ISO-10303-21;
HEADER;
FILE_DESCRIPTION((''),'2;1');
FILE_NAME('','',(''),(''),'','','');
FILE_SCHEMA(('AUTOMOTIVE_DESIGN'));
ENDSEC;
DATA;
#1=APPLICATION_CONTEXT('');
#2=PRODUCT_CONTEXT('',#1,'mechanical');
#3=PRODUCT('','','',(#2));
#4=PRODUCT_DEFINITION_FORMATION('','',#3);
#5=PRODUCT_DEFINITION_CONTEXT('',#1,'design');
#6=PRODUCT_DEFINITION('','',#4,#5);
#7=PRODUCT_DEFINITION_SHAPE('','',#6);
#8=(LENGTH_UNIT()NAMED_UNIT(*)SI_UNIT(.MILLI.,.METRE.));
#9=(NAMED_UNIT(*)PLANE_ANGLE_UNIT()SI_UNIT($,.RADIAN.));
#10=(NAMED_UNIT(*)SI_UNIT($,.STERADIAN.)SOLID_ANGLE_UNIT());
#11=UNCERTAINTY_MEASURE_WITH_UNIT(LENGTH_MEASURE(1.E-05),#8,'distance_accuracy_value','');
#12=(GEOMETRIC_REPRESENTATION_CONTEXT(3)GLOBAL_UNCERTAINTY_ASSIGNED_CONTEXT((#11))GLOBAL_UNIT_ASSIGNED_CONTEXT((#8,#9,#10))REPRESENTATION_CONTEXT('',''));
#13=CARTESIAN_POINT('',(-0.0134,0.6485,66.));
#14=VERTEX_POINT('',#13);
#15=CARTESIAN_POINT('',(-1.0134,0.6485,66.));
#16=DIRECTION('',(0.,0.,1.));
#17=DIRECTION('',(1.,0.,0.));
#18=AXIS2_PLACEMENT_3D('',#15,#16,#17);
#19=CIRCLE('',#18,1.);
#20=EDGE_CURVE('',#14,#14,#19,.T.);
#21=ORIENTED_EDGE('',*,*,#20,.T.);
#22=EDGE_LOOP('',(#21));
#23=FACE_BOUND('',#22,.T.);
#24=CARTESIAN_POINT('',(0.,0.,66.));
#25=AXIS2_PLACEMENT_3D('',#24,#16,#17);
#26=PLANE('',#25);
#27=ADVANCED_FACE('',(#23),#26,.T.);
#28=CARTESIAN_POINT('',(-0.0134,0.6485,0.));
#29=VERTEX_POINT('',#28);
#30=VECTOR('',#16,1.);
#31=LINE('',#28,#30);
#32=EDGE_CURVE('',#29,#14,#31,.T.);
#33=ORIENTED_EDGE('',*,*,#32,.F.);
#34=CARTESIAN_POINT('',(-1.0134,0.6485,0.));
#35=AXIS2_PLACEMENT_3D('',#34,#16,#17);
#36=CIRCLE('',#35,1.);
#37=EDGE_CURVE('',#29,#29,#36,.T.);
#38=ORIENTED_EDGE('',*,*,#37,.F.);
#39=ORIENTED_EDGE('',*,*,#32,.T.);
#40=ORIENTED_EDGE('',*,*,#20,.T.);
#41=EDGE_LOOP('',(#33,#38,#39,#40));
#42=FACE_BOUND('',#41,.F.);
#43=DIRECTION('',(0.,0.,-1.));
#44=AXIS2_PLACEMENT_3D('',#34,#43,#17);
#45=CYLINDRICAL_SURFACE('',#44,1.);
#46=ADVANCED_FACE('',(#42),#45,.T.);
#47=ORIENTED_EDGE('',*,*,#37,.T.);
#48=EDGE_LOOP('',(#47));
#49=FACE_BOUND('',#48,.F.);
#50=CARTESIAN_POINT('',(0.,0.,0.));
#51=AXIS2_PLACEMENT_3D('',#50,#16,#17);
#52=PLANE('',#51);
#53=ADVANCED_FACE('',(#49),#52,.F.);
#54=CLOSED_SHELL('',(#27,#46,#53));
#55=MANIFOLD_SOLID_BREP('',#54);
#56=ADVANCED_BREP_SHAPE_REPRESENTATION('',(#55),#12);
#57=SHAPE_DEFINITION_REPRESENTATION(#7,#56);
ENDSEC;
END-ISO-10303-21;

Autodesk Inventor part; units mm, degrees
ref_plane "YZ Plane" through (0, 0, 0) normal (1, 0, 0) x (0, 1, 0)
ref_plane "XZ Plane" through (0, 0, 0) normal (0, 1, 0) x (-1, 0, 0)
ref_plane "XY Plane" through (0, 0, 0) normal (0, 0, 1) x (1, 0, 0)
sketch "スケッチ1" plane through (0, 0, 0) normal (0, 0, 1) x (1, 0, 0)
  circle A0 centre (-1.0134, 0.6485) radius 1
  point P0 (0, 0)
  dimension "d0" = 2
extrude "押し出し1" add sketch "スケッチ1" along normal blind 66
equation "\"BendRadius\" = Thickness"
equation "\"BendReliefWidth\" = Thickness"
equation "\"BendReliefDepth\" = 0.5 * Thickness"
equation "\"CornerReliefSize\" = 4 * Thickness"
equation "\"MinimumRemnant\" = 2 * Thickness"
equation "\"TransitionRadius\" = BendRadius"
equation "\"JacobiRadiusSize\" = BendRadius"
equation "\"GapSize\" = Thickness"
equation "\"Thickness\" = 0.5"
